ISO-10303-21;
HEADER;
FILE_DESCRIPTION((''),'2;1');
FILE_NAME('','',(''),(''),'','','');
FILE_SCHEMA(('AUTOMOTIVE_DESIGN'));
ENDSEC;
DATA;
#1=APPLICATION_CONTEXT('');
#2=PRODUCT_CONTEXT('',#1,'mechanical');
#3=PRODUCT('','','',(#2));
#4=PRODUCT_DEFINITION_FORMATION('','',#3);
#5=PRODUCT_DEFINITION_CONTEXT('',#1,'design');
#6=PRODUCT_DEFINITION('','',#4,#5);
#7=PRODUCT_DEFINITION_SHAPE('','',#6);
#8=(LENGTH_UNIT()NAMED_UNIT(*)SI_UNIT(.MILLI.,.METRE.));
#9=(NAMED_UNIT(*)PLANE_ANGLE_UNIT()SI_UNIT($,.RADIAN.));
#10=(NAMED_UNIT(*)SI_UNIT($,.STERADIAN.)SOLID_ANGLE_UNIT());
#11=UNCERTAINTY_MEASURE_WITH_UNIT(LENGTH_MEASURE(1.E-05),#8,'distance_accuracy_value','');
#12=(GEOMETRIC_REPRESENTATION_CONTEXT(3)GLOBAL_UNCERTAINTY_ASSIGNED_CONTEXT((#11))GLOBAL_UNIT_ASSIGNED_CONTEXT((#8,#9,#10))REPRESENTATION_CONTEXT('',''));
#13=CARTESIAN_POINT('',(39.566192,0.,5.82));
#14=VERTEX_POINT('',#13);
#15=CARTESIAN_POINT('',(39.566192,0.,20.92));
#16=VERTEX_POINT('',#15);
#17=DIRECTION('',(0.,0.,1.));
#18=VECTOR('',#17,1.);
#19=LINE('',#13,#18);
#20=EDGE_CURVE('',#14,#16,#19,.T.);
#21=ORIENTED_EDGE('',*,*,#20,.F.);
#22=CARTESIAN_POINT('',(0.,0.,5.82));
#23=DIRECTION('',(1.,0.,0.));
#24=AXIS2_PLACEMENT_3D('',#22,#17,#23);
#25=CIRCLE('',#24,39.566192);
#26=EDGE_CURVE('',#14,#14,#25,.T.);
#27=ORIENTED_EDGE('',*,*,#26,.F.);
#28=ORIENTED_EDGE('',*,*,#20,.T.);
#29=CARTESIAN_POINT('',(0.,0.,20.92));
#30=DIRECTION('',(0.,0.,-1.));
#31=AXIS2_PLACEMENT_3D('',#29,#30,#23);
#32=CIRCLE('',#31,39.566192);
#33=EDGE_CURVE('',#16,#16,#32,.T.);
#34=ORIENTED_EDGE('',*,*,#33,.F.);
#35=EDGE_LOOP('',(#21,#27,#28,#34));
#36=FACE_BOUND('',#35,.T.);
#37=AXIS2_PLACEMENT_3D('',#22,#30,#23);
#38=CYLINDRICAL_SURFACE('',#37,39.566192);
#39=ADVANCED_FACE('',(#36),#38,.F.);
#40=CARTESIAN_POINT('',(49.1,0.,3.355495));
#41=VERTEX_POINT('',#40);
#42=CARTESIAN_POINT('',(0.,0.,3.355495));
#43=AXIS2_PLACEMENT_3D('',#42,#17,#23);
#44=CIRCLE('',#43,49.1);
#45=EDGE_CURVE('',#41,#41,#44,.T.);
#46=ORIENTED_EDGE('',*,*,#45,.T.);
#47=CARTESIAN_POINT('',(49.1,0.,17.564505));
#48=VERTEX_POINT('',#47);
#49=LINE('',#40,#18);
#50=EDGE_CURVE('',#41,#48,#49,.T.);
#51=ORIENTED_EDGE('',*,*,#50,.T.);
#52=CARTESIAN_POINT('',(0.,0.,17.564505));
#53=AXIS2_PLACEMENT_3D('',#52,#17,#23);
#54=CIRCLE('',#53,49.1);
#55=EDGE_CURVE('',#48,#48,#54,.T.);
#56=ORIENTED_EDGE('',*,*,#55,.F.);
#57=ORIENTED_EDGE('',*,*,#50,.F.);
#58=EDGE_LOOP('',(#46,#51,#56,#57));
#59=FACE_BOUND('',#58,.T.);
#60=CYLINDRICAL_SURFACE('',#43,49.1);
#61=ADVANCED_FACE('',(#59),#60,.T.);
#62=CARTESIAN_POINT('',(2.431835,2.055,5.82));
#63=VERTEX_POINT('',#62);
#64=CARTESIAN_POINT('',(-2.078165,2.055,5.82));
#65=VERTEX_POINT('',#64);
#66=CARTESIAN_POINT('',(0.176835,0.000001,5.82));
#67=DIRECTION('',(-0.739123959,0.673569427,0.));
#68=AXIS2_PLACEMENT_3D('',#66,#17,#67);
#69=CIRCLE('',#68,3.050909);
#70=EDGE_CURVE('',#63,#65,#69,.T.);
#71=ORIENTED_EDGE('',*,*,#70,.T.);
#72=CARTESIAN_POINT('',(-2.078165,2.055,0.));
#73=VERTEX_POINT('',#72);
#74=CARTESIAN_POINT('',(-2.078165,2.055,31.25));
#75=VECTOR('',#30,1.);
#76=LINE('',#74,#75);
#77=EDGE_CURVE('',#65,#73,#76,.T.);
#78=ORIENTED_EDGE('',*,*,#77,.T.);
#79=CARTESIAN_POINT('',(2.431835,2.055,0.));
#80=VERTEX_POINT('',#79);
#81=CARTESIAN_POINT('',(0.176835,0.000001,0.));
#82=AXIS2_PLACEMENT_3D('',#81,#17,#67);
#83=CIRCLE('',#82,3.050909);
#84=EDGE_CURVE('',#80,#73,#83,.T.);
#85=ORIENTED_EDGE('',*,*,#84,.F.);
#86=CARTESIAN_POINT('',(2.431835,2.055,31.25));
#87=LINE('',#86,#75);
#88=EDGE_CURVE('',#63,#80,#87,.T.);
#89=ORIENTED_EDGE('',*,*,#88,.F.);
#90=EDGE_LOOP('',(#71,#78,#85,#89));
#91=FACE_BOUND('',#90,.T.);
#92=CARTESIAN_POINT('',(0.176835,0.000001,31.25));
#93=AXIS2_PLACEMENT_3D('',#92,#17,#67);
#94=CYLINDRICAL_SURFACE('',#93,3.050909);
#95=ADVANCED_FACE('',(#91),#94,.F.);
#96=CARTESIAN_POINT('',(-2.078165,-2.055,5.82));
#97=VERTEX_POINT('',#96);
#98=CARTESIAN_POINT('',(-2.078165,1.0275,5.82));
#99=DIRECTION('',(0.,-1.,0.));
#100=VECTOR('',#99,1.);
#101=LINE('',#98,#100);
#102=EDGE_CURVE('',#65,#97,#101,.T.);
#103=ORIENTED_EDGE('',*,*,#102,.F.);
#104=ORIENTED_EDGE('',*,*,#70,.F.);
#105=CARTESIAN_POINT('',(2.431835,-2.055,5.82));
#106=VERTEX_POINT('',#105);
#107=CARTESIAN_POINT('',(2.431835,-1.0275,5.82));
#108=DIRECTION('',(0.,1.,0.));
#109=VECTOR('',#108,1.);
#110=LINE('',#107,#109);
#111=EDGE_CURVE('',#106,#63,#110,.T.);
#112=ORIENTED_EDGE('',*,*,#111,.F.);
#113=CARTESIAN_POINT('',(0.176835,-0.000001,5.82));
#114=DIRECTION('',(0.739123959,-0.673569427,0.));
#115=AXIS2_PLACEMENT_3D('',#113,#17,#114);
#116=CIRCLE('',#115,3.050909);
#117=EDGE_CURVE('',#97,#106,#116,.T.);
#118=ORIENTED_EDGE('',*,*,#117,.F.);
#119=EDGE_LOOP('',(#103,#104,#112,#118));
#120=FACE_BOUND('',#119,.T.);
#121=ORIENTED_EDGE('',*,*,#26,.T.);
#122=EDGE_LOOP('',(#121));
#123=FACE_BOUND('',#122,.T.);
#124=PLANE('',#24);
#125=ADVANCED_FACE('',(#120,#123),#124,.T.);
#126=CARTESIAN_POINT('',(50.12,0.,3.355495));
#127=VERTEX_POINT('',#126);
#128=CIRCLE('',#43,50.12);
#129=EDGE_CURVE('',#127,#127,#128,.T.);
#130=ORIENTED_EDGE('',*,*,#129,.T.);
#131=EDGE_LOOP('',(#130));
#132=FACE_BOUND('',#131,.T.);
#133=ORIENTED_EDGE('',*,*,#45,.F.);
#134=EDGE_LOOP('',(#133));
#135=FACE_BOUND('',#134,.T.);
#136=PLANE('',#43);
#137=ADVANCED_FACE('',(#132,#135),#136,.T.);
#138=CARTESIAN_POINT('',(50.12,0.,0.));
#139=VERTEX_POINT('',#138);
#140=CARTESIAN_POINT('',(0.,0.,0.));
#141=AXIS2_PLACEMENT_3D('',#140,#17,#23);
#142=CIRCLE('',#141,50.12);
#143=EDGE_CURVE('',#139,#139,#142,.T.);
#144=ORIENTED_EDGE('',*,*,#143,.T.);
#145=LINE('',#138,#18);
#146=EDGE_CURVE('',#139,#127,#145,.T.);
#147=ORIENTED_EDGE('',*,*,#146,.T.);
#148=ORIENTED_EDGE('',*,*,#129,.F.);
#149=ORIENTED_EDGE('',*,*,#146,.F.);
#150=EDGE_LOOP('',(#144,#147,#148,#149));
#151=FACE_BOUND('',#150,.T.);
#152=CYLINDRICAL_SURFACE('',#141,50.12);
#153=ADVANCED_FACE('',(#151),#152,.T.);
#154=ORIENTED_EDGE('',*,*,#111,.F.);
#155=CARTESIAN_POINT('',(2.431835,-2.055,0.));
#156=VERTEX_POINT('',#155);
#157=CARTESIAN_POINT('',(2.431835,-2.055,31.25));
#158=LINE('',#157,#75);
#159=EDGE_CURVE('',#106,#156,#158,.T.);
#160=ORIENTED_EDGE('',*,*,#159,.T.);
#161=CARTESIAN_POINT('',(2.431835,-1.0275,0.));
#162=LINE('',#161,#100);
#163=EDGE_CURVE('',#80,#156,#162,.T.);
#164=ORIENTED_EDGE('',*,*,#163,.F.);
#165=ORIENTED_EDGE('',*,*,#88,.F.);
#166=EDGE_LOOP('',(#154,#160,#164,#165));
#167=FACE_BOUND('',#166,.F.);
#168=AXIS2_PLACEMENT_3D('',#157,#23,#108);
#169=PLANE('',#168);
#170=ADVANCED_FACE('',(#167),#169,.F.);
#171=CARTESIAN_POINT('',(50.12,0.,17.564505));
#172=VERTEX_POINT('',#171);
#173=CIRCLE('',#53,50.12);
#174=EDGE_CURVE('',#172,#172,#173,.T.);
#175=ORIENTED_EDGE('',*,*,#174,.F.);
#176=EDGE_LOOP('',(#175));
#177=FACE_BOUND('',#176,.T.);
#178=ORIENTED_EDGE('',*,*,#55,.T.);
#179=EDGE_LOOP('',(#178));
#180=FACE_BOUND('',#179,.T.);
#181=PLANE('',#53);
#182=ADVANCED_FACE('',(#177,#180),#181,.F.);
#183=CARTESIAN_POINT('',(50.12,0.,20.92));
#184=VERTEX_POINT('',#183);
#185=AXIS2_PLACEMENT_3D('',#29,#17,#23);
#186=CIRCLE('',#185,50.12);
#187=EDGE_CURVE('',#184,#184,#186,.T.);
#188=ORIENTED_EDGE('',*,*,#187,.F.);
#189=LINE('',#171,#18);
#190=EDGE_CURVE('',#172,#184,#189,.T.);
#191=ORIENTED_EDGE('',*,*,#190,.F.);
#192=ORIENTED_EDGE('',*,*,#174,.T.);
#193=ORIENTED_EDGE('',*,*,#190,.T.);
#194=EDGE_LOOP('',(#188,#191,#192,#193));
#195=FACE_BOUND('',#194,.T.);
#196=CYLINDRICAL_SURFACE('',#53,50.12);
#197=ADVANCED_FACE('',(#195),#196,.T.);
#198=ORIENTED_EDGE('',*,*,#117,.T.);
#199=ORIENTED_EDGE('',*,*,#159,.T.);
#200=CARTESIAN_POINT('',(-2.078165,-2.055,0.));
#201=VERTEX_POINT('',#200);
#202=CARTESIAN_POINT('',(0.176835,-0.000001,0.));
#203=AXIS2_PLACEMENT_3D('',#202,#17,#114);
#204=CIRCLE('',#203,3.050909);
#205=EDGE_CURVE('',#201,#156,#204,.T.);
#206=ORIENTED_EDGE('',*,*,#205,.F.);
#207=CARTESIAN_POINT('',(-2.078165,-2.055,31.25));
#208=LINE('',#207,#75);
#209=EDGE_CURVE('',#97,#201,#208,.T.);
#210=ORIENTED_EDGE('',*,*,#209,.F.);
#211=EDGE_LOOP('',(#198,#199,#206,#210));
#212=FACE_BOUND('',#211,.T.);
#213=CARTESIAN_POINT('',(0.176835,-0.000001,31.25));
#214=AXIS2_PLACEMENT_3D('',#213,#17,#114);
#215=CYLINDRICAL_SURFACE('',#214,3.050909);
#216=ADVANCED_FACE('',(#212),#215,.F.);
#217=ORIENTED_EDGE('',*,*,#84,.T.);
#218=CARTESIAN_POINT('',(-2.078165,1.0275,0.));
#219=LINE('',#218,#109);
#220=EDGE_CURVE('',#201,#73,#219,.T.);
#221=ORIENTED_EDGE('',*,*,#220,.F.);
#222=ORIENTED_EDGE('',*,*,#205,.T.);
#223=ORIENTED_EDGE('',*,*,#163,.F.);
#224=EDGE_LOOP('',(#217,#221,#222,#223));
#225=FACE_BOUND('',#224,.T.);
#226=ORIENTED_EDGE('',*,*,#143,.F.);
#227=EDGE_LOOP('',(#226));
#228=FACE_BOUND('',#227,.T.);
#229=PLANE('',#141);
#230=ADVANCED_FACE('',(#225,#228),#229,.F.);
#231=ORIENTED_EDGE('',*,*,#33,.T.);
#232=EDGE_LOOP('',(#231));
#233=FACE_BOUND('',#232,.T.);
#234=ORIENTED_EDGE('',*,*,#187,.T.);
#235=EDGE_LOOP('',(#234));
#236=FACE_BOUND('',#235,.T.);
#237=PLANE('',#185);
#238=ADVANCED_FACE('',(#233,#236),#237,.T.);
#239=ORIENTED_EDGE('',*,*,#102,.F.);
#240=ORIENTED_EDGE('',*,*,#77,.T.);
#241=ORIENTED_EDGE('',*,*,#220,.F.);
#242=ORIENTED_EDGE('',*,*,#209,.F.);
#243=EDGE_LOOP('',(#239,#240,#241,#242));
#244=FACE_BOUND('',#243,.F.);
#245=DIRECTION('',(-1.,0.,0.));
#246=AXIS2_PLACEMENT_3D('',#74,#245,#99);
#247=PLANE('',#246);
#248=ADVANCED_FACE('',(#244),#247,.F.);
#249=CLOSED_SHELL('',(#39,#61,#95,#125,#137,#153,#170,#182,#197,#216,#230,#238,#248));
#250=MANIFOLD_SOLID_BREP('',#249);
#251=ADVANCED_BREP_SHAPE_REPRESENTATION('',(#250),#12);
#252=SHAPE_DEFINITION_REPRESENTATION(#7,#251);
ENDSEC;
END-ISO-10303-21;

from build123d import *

# Parameters (mm, degrees)
EXTRUDE019_DEPTH           = 40
EXTRUDE019_ROLL_ANGLE      = -90
EXTRUDE019_PLACEMENT_ANGLE = 90
SKETCH001_R                = 39.566192
EXTRUDE_DEPTH              = 20


with BuildPart() as pieza_clave_motor003:
    # Sketch021 → Extrude019 (new body)
    with BuildSketch(Plane(origin=(0, -17.4, 11), x_dir=(-1, 0, 0), z_dir=(0, 1, 0))):
        with BuildLine():
            Line((-2.055, -8.921835), (2.055, -8.921835))
            ThreePointArc((2.055, -13.431835), (3.05091, -11.176835), (2.055, -8.921835))
            Line((2.055, -13.431835), (-2.055, -13.431835))
            ThreePointArc((-2.055, -8.921835), (-3.05091, -11.176835), (-2.055, -13.431835))
        make_face()
    extrude(amount=EXTRUDE019_DEPTH)


with BuildPart() as pieza_clave_motor003_1:
    # Extrude019 roll: moved
    add(pieza_clave_motor003.part.rotate(Axis((0, 0, 0), (1, 0, 0)), EXTRUDE019_ROLL_ANGLE))


with BuildPart() as pieza_clave_motor003_2:
    # Extrude019 placement: moved
    add(pieza_clave_motor003_1.part.moved(Location((0, 0, 13.85))).rotate(Axis((0, 0, 13.85), (0, 0, 1)), EXTRUDE019_PLACEMENT_ANGLE))


with BuildPart() as extrude_body:
    # Sketch001 (on Face7 of Revolve) → Extrude (new body)
    with BuildSketch(Plane.XY.offset(20.92)):
        Circle(SKETCH001_R)
    extrude(amount=EXTRUDE_DEPTH)


with BuildPart() as extrude_body_1:
    # Extrude placement: moved
    add(extrude_body.part.moved(Location((0, 0, -15.1))))


with BuildPart() as cut001:
    # Sketch → Revolve (revolve)
    with BuildSketch(Plane.XZ):
        Polygon((0, 0), (50.12, 0), (50.12, 3.355495), (49.1, 3.355495), (49.1, 17.564505), (50.12, 17.564505), (50.12, 20.92), (0, 20.92), align=None)
    revolve(axis=Axis((0, 0, 0), (0, 0, 1)))

    # Cut: cut Extrude body
    add(extrude_body_1.part, mode=Mode.SUBTRACT)

    # Cut001: cut Pieza Clave motor003
    add(pieza_clave_motor003_2.part, mode=Mode.SUBTRACT)


solid = cut001.part
